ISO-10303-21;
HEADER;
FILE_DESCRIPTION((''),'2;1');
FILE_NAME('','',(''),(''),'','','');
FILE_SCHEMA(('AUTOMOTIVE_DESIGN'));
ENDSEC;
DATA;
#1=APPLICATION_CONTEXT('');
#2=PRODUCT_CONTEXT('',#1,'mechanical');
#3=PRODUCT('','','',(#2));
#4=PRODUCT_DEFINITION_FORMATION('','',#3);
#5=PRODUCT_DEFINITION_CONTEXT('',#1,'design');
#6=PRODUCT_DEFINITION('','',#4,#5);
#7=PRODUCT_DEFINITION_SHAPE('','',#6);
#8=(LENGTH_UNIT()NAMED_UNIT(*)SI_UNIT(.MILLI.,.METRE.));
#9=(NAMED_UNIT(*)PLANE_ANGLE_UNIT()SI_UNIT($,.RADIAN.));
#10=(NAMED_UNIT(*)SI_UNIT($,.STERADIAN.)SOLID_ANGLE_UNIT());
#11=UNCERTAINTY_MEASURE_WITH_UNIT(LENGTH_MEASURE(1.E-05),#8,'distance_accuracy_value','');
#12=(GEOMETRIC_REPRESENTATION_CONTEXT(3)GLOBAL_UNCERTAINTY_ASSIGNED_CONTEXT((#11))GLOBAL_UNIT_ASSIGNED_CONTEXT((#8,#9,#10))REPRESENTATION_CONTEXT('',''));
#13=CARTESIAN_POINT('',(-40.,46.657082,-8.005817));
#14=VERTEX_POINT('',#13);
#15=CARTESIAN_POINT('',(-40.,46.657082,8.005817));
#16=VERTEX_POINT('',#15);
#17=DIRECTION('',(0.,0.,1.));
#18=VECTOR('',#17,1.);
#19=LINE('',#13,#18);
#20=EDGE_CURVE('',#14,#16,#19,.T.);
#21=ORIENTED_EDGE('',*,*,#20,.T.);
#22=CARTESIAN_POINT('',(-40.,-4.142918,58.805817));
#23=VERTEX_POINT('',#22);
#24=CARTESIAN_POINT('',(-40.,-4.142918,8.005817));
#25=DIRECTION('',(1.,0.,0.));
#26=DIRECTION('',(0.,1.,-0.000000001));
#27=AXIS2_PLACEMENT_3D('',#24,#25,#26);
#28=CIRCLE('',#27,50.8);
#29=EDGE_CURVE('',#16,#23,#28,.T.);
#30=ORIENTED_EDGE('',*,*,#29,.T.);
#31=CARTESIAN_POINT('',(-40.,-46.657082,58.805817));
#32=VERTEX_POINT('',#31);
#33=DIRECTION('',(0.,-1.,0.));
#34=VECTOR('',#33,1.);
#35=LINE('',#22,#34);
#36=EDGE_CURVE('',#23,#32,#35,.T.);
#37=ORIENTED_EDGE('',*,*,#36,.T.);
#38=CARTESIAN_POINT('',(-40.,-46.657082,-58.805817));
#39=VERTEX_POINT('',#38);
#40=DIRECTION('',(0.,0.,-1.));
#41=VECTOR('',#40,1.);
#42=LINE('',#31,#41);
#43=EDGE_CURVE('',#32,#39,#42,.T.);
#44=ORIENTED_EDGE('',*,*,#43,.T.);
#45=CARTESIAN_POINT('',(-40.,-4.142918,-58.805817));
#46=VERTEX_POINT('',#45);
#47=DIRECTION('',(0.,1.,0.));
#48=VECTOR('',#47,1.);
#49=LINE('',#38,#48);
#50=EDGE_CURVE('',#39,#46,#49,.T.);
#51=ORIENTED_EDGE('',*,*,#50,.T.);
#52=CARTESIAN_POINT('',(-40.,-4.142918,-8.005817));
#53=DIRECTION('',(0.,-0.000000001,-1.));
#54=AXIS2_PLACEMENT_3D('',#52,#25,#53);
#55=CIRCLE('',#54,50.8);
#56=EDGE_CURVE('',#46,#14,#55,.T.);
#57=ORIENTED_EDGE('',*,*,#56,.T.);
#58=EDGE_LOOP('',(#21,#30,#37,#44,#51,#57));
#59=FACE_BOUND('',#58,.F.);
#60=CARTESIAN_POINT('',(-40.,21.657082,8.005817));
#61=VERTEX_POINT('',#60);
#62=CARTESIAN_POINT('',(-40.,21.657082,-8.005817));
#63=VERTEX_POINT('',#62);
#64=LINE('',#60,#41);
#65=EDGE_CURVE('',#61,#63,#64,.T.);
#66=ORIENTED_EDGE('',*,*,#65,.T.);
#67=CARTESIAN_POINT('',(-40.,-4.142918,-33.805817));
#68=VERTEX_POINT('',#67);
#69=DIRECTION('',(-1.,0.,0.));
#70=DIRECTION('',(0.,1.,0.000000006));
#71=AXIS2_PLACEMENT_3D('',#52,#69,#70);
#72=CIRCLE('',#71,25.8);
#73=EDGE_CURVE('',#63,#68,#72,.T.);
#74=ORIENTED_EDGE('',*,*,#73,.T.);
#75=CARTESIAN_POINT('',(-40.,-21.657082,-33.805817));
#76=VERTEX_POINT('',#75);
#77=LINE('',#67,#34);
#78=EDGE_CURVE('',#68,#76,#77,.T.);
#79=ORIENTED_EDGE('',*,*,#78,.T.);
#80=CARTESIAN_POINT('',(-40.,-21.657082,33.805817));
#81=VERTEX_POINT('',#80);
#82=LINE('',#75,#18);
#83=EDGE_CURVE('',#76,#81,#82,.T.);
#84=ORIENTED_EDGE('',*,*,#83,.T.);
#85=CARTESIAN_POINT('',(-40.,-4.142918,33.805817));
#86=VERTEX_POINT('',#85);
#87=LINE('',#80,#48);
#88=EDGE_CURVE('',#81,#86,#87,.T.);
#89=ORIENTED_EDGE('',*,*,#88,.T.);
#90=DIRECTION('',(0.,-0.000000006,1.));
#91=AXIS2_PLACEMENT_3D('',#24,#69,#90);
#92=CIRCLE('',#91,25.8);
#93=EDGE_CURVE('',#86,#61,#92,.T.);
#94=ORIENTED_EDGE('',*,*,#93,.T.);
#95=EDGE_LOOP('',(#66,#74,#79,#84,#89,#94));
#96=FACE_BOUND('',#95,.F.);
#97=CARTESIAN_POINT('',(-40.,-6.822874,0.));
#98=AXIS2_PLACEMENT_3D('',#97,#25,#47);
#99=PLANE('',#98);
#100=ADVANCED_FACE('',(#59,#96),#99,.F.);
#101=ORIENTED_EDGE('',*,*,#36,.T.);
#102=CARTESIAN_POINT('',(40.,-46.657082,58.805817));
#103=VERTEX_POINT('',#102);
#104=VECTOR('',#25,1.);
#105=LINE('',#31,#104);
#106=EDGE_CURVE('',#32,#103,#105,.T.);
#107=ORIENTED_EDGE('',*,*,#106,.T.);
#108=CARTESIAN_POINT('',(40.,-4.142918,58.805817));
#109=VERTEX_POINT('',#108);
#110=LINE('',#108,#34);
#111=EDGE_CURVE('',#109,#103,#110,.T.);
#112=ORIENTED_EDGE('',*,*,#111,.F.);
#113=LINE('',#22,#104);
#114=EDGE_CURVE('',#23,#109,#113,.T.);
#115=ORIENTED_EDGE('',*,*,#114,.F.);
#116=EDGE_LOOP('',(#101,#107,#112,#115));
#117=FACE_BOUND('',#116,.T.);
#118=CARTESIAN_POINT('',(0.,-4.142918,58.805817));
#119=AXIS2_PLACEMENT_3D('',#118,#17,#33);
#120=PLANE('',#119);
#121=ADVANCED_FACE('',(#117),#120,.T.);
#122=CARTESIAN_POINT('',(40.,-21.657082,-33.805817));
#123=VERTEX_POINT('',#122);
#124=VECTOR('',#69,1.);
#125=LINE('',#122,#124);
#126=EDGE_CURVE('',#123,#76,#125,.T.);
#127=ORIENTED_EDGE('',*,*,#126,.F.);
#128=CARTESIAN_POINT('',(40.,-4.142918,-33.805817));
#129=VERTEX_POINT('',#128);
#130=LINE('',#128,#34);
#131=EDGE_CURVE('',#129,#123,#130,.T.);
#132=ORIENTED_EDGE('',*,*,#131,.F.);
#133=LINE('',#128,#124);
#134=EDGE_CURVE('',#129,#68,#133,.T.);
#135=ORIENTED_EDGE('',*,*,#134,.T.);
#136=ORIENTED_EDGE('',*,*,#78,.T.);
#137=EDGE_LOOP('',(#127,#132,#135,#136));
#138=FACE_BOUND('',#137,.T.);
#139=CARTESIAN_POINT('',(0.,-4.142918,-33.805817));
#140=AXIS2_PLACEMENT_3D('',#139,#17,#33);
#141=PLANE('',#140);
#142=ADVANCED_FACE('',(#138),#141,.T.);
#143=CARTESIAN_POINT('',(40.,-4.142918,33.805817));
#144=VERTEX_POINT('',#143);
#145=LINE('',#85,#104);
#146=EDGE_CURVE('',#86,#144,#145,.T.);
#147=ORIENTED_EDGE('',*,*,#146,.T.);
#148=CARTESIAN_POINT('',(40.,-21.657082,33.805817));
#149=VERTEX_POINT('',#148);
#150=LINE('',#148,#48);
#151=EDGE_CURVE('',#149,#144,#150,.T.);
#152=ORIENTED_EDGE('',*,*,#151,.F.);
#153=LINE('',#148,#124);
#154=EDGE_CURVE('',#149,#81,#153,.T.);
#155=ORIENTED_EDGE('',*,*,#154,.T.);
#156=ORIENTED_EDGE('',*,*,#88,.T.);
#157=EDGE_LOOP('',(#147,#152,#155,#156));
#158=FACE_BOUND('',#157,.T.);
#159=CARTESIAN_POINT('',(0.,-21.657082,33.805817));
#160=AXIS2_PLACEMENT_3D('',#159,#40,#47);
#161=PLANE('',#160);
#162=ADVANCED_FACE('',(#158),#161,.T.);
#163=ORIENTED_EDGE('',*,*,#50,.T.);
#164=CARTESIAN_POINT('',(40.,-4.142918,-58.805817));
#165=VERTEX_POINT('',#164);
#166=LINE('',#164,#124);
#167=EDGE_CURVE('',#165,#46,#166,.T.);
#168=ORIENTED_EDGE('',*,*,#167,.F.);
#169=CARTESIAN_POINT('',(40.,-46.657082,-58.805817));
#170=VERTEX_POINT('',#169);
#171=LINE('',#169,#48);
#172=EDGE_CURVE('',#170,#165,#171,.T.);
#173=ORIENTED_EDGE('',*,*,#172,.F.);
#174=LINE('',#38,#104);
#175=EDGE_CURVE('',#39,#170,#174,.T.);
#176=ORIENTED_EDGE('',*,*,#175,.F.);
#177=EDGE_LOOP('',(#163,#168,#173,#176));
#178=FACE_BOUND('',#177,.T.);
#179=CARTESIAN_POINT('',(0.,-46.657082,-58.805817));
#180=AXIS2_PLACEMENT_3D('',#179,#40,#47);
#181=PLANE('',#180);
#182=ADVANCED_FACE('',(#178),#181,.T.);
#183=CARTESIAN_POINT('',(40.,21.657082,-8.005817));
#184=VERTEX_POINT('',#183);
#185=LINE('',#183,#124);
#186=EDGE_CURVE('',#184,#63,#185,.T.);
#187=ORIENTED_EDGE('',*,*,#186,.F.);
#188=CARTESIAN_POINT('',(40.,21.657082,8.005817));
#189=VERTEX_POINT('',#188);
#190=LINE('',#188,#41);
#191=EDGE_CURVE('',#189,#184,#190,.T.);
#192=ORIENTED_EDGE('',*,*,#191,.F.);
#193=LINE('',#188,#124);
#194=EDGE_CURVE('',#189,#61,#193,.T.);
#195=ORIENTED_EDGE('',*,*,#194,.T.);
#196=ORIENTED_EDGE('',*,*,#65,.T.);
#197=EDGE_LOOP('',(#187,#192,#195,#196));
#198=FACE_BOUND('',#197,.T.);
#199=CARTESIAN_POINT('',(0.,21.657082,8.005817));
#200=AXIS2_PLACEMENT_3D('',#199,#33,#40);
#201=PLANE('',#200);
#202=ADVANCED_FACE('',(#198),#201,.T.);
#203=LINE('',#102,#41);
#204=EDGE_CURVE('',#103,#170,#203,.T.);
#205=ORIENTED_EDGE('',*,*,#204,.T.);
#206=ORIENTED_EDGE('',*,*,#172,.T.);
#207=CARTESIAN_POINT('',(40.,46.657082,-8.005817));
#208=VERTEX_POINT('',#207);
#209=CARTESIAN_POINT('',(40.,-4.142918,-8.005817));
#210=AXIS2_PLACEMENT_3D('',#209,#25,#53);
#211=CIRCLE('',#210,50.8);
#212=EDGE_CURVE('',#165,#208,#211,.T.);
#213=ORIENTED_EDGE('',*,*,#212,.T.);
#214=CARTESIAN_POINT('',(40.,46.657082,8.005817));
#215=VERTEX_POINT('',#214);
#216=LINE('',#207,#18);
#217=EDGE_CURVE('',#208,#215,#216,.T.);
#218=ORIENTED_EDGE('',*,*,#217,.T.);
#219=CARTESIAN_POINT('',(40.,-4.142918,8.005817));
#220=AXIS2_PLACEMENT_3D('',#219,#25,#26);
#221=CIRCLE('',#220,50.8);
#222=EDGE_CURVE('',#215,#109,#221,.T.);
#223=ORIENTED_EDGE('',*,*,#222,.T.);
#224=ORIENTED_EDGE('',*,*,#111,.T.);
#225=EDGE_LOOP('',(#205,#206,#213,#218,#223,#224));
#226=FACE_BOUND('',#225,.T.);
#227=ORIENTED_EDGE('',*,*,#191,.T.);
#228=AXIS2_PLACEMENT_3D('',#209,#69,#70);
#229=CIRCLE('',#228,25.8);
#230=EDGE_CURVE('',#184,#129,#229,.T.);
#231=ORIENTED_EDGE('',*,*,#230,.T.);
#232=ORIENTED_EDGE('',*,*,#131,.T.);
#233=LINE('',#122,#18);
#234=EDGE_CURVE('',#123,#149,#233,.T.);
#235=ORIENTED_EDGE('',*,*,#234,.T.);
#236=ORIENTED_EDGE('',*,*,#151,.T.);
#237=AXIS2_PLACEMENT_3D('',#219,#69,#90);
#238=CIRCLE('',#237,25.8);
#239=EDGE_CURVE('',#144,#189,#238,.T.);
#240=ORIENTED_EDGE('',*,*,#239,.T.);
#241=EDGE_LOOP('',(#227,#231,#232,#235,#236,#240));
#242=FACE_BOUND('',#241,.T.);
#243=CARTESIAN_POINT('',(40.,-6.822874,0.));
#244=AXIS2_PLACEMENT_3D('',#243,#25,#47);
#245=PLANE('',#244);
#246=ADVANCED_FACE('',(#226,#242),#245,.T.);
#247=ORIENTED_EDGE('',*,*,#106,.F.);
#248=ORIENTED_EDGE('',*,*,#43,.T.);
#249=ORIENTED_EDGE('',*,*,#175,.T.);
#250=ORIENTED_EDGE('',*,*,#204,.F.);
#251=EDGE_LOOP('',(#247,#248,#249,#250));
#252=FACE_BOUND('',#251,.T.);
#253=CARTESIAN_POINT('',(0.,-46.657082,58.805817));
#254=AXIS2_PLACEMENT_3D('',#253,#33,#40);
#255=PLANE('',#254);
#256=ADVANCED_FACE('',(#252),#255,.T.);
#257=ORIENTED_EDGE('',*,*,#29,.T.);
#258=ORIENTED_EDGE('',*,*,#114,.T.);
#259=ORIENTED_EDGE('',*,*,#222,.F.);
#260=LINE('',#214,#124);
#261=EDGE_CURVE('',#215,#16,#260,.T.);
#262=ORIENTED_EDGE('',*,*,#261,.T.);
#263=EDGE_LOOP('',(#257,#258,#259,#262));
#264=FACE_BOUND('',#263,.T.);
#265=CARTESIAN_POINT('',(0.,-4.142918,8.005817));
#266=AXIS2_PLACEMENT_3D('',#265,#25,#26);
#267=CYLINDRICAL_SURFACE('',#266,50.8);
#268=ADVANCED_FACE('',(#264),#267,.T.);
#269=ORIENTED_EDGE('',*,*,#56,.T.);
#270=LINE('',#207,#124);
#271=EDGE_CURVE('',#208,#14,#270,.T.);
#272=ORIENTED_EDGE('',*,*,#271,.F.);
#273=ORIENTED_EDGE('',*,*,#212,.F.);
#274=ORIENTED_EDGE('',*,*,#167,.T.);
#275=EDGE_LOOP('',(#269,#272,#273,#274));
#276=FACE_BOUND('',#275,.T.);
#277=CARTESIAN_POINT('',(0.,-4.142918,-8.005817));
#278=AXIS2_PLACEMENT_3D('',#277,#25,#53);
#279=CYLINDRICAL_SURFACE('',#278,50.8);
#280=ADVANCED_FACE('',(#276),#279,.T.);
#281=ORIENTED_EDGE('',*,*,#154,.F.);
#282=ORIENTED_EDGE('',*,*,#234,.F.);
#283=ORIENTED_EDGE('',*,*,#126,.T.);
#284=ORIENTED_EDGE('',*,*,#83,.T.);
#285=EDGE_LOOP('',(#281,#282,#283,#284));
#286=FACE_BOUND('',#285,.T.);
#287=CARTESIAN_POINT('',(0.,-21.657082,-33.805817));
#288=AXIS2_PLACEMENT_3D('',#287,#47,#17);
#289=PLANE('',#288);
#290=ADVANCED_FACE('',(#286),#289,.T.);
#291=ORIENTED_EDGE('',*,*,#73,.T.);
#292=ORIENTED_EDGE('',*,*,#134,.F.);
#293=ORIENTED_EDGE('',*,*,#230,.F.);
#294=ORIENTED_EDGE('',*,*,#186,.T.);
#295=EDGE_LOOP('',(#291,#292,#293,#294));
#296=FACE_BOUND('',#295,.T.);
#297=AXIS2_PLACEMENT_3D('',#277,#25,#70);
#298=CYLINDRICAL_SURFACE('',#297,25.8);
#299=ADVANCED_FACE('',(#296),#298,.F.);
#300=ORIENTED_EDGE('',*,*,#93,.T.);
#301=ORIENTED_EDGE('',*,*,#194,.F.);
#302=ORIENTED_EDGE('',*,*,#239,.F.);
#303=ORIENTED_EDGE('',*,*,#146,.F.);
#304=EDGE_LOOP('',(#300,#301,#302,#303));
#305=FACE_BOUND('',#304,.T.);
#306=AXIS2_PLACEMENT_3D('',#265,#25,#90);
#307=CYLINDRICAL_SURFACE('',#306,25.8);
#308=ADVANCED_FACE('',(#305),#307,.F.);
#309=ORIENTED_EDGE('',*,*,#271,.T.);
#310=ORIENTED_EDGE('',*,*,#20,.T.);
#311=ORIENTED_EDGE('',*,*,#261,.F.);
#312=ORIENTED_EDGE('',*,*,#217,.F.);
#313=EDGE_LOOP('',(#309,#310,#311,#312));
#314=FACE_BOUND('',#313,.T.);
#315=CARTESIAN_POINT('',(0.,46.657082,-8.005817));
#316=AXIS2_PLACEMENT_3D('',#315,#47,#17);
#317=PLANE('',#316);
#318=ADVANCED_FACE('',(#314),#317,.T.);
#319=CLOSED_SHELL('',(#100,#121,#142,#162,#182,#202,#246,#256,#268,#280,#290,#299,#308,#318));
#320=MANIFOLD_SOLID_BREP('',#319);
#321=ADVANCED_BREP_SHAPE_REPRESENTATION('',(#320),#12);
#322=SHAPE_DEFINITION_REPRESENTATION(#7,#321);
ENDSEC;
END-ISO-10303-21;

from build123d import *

# Parameters (mm, degrees)
F1_DEPTH = 40


with BuildPart() as f1:
    # F0 (on Right) → F1 (new body, symmetric)
    with BuildSketch(Plane.YZ):
        with BuildLine():
            ThreePointArc((46.657082, 8.005817), (31.778107, 43.926841), (-4.142918, 58.805817))
            Line((-4.142918, 58.805817), (-46.657082, 58.805817))
            Line((-46.657082, 58.805817), (-46.657082, -58.805817))
            Line((-46.657082, -58.805817), (-4.142918, -58.805817))
            ThreePointArc((-4.142918, -58.805817), (31.778107, -43.926841), (46.657082, -8.005817))
            Line((46.657082, -8.005817), (46.657082, 8.005817))
        make_face()
        with BuildLine():
            ThreePointArc((-4.142918, 33.805817), (14.100437, 26.249172), (21.657082, 8.005817))
            Line((21.657082, 8.005817), (21.657082, -8.005817))
            ThreePointArc((21.657082, -8.005817), (14.100437, -26.249172), (-4.142918, -33.805817))
            Line((-4.142918, -33.805817), (-21.657082, -33.805817))
            Line((-21.657082, -33.805817), (-21.657082, 33.805817))
            Line((-21.657082, 33.805817), (-4.142918, 33.805817))
        make_face(mode=Mode.SUBTRACT)
    extrude(amount=F1_DEPTH, both=True)


solid = f1.part
